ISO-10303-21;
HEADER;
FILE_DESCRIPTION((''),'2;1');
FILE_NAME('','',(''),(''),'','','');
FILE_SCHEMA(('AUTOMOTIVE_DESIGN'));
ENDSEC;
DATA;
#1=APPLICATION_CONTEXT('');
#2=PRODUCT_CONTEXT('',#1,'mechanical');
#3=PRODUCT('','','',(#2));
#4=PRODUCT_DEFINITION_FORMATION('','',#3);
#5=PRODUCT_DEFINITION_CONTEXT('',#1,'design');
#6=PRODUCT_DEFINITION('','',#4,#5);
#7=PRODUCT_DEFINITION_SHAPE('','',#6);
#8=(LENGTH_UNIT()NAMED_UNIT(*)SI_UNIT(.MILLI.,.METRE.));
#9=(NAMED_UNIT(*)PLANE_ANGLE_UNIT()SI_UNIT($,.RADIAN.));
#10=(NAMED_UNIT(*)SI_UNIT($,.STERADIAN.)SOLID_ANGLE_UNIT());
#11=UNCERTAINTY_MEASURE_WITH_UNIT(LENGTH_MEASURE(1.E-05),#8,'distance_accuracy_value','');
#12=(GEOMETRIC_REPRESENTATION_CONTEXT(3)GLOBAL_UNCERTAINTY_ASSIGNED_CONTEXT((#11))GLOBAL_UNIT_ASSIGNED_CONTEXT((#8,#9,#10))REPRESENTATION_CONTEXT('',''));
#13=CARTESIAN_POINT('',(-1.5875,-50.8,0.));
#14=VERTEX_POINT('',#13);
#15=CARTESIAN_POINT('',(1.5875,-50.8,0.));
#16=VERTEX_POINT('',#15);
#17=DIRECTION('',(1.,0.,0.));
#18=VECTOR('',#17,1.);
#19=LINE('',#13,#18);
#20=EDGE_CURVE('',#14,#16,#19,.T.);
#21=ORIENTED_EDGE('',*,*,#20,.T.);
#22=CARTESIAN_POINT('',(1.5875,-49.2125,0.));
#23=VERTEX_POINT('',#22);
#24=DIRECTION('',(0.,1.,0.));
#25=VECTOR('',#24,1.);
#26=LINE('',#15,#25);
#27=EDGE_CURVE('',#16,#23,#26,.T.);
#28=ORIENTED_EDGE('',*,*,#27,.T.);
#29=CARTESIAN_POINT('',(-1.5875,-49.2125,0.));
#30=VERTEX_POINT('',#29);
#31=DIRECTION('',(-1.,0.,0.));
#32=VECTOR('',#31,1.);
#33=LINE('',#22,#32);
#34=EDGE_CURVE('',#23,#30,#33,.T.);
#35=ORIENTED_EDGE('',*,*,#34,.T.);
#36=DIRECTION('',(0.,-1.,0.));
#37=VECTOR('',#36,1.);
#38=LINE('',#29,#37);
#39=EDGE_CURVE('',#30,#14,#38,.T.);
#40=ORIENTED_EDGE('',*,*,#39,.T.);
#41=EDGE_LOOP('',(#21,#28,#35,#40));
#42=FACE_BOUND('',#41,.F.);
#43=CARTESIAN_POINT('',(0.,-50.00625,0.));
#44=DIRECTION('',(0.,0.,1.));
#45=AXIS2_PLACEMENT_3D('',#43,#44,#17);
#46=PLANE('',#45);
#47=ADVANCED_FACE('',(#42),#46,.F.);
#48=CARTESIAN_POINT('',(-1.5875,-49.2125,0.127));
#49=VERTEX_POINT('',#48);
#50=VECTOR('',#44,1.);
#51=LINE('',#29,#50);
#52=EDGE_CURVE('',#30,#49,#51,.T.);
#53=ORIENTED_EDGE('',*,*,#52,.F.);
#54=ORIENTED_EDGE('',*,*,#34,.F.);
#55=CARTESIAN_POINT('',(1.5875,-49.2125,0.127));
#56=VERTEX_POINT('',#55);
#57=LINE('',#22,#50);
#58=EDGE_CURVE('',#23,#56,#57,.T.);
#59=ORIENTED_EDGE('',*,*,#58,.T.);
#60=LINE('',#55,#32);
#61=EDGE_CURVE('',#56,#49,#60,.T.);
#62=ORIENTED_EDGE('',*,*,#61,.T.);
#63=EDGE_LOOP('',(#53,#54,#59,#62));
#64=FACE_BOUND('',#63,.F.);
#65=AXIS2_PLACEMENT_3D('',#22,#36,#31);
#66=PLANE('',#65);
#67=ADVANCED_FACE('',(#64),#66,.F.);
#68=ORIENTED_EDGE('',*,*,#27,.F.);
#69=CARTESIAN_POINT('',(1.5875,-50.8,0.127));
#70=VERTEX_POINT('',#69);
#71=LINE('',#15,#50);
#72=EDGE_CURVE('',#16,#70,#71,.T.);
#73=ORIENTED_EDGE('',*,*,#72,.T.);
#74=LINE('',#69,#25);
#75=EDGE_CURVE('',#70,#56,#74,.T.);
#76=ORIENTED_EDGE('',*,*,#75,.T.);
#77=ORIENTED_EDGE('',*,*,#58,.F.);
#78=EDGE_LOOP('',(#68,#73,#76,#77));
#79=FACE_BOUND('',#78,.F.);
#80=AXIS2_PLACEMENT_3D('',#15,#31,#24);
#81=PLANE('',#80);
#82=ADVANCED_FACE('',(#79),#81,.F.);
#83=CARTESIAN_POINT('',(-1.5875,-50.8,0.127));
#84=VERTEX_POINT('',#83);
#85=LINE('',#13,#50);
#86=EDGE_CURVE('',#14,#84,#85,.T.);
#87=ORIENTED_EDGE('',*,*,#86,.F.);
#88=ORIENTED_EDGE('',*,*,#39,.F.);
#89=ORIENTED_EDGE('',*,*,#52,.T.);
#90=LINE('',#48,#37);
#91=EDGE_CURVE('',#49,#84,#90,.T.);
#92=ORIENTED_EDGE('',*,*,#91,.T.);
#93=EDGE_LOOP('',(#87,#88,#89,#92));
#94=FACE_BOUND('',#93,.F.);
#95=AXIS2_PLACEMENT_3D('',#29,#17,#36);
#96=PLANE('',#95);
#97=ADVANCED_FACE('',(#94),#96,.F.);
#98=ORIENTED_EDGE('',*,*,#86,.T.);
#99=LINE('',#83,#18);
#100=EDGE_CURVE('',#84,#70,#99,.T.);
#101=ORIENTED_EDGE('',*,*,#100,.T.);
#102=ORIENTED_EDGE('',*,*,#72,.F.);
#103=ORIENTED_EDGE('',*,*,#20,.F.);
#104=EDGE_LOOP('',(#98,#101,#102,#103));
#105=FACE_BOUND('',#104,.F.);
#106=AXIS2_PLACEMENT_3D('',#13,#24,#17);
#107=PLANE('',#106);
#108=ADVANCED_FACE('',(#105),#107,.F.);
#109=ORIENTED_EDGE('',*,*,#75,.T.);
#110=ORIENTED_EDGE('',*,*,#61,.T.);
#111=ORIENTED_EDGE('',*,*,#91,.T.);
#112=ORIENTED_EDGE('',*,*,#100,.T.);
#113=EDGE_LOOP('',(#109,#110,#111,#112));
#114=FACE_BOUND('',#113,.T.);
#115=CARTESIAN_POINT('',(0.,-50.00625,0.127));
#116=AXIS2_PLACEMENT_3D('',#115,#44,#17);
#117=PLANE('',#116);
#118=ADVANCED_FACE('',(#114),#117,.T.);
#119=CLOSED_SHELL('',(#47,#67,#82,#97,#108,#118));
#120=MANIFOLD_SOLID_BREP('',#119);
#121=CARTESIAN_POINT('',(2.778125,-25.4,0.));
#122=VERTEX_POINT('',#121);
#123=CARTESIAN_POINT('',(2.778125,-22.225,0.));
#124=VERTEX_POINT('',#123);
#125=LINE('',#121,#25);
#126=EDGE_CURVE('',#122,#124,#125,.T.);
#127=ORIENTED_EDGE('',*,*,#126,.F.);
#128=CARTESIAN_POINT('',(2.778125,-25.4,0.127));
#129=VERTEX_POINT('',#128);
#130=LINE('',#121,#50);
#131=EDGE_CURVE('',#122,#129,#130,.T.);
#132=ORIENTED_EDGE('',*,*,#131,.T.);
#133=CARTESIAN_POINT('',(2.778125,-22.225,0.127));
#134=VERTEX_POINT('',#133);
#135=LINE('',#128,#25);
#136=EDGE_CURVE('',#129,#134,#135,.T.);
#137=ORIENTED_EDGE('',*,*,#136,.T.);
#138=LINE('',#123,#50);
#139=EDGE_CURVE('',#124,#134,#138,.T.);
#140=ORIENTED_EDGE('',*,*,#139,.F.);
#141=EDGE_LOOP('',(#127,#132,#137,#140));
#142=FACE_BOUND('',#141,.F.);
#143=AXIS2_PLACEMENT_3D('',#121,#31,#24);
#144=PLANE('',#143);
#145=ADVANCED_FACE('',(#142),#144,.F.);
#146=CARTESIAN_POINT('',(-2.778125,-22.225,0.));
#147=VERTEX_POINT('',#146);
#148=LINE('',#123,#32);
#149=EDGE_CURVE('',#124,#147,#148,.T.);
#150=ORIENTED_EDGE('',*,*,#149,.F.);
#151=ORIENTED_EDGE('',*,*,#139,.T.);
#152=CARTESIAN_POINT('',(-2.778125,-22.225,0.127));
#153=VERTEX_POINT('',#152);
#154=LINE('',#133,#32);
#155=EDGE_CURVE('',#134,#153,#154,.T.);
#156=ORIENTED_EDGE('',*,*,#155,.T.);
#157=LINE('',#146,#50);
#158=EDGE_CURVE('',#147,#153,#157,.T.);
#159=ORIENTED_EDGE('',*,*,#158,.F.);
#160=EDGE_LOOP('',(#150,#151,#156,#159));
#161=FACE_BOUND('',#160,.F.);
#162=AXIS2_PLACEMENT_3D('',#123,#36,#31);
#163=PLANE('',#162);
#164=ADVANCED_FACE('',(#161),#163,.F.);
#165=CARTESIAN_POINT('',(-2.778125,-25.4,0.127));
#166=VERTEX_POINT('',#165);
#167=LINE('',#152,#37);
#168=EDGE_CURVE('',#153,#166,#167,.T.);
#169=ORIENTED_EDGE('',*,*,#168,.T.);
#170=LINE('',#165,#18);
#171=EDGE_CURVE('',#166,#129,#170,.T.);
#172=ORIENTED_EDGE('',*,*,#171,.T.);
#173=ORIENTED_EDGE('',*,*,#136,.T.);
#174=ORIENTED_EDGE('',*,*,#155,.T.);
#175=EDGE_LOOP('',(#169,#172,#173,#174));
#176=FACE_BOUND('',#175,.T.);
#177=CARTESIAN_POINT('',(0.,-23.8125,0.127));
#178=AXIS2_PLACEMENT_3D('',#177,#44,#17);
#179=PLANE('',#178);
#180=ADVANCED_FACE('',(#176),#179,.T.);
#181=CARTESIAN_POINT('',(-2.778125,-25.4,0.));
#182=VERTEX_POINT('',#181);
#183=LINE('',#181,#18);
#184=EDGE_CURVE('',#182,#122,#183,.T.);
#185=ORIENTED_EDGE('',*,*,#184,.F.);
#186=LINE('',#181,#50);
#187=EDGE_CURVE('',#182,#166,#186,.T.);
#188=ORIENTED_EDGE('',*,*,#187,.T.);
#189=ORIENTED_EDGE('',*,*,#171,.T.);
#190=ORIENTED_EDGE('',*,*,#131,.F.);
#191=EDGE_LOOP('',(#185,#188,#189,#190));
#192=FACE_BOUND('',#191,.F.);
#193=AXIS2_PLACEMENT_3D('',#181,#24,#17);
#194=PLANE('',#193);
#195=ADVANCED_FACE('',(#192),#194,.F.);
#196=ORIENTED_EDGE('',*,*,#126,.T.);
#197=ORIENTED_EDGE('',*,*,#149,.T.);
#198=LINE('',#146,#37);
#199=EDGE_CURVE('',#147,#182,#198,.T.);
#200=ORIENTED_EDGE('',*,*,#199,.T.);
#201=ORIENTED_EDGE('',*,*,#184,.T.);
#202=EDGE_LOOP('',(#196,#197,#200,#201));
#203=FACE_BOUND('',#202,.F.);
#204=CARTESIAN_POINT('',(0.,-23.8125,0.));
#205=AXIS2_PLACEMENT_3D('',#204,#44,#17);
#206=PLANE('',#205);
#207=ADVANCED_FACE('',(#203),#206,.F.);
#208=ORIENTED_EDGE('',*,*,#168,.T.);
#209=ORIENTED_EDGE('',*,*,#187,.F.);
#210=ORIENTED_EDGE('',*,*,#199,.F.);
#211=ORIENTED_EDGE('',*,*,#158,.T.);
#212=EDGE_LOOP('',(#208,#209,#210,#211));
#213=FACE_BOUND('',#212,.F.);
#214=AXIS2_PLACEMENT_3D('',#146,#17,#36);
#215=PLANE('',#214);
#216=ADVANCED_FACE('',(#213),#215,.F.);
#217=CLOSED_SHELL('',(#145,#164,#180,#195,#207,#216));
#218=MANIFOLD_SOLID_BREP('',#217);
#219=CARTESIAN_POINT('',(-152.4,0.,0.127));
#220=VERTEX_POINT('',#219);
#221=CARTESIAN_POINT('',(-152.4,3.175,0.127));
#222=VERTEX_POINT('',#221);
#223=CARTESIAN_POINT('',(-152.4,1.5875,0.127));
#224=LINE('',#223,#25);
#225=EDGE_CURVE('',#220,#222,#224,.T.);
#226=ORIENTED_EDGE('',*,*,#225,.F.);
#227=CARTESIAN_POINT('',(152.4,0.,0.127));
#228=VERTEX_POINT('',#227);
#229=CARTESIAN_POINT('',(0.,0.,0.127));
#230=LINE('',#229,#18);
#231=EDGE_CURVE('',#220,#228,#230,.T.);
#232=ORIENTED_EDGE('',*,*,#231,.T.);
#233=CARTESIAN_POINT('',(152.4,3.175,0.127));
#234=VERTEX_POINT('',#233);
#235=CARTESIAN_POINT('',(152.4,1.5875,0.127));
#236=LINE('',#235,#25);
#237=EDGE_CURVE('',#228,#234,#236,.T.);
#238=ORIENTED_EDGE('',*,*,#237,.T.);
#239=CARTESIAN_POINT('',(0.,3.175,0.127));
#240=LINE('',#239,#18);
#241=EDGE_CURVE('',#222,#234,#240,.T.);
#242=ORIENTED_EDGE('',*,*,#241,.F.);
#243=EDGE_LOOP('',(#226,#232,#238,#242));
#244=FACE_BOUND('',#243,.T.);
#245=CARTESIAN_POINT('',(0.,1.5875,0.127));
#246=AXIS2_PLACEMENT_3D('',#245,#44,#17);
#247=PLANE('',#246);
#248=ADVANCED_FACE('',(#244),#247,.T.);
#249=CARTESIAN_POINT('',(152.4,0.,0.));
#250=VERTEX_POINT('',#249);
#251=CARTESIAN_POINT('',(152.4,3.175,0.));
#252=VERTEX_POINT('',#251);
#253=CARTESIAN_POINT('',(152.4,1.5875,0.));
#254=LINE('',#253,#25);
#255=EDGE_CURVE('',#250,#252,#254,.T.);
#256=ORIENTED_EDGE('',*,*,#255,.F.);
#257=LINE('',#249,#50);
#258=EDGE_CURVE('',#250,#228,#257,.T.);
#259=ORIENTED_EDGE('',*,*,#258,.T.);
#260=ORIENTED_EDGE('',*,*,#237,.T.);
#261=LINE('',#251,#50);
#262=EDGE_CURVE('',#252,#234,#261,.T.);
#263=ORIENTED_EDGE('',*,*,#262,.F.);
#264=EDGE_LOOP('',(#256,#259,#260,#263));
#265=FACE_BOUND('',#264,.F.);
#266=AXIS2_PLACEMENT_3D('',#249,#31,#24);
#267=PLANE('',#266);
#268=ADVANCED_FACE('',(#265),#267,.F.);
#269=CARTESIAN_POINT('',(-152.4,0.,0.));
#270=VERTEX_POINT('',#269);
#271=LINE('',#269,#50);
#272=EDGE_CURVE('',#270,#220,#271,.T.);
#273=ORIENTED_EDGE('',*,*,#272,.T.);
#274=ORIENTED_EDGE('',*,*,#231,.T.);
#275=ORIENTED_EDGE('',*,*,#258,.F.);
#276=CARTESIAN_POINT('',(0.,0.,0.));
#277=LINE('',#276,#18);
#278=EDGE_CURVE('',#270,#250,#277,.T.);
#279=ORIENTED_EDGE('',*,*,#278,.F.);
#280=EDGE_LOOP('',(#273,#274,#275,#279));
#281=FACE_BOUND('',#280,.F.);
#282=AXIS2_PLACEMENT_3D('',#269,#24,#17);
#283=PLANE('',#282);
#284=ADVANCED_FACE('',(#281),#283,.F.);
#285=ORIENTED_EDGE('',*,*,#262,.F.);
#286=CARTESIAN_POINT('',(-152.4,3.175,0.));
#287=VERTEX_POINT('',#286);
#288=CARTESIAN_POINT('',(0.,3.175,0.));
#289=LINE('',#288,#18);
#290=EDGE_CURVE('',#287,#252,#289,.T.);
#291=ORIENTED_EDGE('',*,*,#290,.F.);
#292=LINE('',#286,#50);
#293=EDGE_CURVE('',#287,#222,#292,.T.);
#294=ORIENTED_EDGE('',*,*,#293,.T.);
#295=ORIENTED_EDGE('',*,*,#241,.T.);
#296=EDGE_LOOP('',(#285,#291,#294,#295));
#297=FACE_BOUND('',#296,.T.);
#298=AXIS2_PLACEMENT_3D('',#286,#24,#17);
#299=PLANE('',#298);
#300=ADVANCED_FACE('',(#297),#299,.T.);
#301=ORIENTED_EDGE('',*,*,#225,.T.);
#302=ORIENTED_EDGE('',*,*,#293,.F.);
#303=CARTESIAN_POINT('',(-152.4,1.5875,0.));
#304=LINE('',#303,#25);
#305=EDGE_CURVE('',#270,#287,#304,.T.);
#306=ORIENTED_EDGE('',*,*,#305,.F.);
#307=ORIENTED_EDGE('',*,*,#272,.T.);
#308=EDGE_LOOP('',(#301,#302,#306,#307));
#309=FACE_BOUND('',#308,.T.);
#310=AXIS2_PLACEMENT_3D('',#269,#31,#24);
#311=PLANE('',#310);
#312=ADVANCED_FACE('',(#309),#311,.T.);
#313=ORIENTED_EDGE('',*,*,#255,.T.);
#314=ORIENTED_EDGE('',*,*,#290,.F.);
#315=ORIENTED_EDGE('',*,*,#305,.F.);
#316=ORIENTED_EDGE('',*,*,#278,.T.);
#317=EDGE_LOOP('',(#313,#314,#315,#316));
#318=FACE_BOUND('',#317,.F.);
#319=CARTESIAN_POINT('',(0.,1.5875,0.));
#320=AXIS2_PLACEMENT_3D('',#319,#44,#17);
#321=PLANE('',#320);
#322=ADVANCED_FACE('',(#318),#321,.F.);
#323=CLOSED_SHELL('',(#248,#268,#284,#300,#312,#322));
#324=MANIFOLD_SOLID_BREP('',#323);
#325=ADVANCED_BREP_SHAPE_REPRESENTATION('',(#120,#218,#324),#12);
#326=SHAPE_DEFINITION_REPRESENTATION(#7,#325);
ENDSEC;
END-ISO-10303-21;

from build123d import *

# Parameters (mm, degrees)
F0_W     = 304.8
F0_H     = 3.175
F1_DEPTH = 0.127
F3_DEPTH = 0.127
F5_DEPTH = 0.127


with BuildPart() as f1:
    # F0 (on Top) → F1 (new body)
    with BuildSketch(Plane.XY):
        with Locations((0, 1.5875)):
            Rectangle(F0_W, F0_H)
    extrude(amount=F1_DEPTH)


with BuildPart() as f3:
    # F2 (on Top) → F3 (new body)
    with BuildSketch(Plane.XY):
        Polygon((2.778125, -22.225), (0, -22.225), (-2.778125, -22.225), (-2.778125, -25.4), (0, -25.4), (2.778125, -25.4), align=None)
    extrude(amount=F3_DEPTH)


with BuildPart() as f5:
    # F4 (on Top) → F5 (new body)
    with BuildSketch(Plane.XY):
        Polygon((1.5875, -49.2125), (0, -49.2125), (-1.5875, -49.2125), (-1.5875, -50.8), (0, -50.8), (1.5875, -50.8), align=None)
    extrude(amount=F5_DEPTH)


solid = Compound([f1.part, f3.part, f5.part])
